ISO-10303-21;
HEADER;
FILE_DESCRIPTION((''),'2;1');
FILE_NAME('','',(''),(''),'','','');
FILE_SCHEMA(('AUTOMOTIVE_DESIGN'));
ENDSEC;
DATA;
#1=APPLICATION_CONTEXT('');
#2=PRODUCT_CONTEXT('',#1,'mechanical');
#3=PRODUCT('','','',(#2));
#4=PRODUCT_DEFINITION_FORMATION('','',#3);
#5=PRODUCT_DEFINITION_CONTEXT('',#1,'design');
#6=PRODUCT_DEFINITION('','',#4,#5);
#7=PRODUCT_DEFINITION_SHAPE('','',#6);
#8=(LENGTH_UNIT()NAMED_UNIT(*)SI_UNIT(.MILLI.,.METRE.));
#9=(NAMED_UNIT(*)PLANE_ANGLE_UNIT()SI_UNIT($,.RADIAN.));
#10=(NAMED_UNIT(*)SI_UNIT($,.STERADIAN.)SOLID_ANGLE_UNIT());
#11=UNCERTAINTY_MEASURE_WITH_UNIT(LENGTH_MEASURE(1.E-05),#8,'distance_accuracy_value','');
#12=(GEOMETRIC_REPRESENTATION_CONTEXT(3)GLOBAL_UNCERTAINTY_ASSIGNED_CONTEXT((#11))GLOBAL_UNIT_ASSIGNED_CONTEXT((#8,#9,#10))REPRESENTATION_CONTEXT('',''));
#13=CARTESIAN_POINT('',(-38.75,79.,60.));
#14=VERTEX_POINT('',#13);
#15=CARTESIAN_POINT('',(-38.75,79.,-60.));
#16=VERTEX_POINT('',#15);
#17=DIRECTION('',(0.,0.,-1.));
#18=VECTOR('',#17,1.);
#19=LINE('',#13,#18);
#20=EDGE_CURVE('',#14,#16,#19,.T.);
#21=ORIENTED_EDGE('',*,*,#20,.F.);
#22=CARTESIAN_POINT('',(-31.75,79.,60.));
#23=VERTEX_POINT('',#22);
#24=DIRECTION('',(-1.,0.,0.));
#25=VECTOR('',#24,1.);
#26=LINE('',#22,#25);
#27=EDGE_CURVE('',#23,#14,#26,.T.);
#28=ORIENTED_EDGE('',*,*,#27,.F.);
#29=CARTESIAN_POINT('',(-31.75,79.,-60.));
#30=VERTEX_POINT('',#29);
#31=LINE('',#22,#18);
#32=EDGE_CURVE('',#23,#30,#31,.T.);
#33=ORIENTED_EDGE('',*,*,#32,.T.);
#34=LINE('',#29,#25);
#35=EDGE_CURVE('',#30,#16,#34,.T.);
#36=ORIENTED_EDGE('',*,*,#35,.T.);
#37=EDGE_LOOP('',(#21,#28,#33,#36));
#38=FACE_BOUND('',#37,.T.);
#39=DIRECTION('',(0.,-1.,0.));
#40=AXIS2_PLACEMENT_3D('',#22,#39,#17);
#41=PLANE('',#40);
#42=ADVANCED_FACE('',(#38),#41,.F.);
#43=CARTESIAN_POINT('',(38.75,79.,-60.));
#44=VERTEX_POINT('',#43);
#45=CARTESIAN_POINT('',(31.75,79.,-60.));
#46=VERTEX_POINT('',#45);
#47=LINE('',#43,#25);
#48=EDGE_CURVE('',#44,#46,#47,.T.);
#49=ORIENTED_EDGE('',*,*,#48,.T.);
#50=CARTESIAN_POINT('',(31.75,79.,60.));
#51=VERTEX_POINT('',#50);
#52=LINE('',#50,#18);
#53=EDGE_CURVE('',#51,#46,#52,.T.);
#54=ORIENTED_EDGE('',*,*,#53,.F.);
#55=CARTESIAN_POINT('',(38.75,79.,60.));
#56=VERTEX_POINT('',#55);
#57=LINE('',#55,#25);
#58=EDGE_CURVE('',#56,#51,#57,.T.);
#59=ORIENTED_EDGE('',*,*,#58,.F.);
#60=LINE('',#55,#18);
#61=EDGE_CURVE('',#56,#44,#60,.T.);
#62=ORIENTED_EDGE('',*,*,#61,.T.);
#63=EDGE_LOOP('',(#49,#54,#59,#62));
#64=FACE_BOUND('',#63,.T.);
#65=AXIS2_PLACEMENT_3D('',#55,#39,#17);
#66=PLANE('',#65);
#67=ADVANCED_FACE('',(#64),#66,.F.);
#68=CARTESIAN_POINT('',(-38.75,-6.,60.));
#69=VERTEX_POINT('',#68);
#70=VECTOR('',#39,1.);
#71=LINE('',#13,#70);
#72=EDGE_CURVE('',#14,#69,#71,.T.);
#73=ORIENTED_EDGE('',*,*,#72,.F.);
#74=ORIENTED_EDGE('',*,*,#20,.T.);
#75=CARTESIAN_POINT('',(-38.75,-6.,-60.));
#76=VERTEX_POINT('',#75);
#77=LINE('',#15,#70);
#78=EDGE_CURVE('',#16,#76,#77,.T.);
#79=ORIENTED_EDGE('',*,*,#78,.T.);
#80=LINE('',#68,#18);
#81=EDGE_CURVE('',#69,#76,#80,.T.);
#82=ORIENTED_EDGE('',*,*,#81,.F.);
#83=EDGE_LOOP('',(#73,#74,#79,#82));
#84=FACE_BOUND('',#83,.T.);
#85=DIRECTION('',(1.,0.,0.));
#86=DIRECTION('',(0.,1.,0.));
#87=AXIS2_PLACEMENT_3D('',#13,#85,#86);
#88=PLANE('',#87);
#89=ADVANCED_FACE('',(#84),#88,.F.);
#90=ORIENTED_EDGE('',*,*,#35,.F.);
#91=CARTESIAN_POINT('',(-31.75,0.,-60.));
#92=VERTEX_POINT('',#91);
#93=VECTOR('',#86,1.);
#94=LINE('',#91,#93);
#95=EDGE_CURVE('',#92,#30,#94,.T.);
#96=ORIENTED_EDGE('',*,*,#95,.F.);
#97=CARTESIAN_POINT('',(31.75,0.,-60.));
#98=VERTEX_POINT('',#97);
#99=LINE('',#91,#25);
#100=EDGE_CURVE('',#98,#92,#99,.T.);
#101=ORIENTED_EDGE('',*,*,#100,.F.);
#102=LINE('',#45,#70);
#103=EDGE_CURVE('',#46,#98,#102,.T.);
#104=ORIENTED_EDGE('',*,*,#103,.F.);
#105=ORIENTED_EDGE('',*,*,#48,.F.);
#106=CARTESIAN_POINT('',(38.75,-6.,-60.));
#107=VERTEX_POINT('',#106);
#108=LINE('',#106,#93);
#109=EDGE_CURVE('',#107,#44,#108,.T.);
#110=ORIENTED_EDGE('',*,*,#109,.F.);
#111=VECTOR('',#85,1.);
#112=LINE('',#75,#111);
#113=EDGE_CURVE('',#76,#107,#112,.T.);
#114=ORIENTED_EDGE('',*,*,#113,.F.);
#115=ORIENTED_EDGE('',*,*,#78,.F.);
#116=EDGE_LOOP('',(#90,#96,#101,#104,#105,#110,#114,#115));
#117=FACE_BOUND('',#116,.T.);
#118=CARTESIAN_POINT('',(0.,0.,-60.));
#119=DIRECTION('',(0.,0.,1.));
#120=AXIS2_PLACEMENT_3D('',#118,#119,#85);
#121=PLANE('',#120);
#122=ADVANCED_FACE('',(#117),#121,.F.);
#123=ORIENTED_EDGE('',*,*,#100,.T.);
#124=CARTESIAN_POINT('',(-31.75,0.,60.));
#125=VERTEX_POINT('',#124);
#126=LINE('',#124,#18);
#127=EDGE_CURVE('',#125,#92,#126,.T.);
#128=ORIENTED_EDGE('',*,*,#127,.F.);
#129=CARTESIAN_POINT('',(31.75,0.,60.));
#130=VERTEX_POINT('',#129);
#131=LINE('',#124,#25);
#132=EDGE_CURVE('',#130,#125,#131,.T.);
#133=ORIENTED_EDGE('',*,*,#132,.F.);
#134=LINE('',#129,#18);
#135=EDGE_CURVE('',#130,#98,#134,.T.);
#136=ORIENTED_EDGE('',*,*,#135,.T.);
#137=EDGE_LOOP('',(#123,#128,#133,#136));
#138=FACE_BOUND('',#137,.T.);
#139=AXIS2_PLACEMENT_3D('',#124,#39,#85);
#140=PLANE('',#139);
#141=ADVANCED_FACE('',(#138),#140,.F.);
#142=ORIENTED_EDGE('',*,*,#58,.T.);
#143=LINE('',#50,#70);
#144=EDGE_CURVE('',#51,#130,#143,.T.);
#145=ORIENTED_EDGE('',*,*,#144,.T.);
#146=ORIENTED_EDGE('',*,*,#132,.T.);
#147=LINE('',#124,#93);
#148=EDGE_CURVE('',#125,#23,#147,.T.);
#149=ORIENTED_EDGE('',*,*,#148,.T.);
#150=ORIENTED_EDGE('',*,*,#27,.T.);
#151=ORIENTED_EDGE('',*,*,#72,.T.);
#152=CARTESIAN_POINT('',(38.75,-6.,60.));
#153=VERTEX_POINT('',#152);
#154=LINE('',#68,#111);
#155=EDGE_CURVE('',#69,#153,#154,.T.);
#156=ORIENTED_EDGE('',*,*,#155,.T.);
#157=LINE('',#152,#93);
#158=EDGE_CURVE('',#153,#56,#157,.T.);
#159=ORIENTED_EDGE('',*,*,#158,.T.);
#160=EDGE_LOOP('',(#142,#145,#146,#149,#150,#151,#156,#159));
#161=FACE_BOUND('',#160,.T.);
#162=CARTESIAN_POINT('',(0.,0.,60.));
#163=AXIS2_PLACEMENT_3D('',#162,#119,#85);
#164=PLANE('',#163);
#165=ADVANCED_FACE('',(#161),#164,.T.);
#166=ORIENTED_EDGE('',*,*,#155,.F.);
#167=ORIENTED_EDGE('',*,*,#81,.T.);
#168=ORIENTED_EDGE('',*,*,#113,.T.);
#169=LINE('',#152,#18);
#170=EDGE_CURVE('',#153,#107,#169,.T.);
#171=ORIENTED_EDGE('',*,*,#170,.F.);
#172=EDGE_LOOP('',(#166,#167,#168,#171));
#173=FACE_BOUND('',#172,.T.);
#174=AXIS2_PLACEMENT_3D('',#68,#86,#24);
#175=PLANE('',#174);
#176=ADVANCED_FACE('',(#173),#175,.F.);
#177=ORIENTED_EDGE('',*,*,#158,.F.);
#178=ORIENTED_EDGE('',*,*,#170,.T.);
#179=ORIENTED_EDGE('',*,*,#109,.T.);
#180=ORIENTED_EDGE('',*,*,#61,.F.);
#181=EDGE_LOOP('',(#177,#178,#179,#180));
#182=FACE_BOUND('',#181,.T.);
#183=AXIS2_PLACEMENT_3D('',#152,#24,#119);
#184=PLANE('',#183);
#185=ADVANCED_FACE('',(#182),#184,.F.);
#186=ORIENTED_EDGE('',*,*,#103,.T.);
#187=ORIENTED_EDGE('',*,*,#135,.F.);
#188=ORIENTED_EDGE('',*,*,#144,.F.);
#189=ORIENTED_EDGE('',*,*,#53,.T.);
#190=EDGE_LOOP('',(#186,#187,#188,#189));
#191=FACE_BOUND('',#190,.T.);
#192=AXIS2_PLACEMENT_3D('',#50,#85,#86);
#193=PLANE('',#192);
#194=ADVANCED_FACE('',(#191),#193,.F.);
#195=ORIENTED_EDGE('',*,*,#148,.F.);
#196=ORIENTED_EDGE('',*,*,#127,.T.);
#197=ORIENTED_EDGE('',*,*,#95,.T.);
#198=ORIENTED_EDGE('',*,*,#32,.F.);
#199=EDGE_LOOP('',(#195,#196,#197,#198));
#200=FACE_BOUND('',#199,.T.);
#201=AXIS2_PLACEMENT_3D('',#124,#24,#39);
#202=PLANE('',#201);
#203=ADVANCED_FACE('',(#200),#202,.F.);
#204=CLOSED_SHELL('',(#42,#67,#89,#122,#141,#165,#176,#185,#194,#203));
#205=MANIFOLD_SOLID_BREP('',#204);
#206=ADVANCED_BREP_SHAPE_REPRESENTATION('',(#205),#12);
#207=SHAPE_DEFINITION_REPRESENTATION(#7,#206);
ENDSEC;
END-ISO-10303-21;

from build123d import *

# Parameters (mm, degrees)
BOSS_EXTRUDE1_DEPTH = 60


with BuildPart() as part:
    # Sketch2 → Boss-Extrude1 (new, symmetric)
    with BuildSketch(Plane.XY):
        Polygon((-31.75, 0), (31.75, 0), (31.75, 79), (38.75, 79), (38.75, -6), (-38.75, -6), (-38.75, 79), (-31.75, 79), align=None)
    extrude(amount=BOSS_EXTRUDE1_DEPTH, both=True)


solid = part.part
